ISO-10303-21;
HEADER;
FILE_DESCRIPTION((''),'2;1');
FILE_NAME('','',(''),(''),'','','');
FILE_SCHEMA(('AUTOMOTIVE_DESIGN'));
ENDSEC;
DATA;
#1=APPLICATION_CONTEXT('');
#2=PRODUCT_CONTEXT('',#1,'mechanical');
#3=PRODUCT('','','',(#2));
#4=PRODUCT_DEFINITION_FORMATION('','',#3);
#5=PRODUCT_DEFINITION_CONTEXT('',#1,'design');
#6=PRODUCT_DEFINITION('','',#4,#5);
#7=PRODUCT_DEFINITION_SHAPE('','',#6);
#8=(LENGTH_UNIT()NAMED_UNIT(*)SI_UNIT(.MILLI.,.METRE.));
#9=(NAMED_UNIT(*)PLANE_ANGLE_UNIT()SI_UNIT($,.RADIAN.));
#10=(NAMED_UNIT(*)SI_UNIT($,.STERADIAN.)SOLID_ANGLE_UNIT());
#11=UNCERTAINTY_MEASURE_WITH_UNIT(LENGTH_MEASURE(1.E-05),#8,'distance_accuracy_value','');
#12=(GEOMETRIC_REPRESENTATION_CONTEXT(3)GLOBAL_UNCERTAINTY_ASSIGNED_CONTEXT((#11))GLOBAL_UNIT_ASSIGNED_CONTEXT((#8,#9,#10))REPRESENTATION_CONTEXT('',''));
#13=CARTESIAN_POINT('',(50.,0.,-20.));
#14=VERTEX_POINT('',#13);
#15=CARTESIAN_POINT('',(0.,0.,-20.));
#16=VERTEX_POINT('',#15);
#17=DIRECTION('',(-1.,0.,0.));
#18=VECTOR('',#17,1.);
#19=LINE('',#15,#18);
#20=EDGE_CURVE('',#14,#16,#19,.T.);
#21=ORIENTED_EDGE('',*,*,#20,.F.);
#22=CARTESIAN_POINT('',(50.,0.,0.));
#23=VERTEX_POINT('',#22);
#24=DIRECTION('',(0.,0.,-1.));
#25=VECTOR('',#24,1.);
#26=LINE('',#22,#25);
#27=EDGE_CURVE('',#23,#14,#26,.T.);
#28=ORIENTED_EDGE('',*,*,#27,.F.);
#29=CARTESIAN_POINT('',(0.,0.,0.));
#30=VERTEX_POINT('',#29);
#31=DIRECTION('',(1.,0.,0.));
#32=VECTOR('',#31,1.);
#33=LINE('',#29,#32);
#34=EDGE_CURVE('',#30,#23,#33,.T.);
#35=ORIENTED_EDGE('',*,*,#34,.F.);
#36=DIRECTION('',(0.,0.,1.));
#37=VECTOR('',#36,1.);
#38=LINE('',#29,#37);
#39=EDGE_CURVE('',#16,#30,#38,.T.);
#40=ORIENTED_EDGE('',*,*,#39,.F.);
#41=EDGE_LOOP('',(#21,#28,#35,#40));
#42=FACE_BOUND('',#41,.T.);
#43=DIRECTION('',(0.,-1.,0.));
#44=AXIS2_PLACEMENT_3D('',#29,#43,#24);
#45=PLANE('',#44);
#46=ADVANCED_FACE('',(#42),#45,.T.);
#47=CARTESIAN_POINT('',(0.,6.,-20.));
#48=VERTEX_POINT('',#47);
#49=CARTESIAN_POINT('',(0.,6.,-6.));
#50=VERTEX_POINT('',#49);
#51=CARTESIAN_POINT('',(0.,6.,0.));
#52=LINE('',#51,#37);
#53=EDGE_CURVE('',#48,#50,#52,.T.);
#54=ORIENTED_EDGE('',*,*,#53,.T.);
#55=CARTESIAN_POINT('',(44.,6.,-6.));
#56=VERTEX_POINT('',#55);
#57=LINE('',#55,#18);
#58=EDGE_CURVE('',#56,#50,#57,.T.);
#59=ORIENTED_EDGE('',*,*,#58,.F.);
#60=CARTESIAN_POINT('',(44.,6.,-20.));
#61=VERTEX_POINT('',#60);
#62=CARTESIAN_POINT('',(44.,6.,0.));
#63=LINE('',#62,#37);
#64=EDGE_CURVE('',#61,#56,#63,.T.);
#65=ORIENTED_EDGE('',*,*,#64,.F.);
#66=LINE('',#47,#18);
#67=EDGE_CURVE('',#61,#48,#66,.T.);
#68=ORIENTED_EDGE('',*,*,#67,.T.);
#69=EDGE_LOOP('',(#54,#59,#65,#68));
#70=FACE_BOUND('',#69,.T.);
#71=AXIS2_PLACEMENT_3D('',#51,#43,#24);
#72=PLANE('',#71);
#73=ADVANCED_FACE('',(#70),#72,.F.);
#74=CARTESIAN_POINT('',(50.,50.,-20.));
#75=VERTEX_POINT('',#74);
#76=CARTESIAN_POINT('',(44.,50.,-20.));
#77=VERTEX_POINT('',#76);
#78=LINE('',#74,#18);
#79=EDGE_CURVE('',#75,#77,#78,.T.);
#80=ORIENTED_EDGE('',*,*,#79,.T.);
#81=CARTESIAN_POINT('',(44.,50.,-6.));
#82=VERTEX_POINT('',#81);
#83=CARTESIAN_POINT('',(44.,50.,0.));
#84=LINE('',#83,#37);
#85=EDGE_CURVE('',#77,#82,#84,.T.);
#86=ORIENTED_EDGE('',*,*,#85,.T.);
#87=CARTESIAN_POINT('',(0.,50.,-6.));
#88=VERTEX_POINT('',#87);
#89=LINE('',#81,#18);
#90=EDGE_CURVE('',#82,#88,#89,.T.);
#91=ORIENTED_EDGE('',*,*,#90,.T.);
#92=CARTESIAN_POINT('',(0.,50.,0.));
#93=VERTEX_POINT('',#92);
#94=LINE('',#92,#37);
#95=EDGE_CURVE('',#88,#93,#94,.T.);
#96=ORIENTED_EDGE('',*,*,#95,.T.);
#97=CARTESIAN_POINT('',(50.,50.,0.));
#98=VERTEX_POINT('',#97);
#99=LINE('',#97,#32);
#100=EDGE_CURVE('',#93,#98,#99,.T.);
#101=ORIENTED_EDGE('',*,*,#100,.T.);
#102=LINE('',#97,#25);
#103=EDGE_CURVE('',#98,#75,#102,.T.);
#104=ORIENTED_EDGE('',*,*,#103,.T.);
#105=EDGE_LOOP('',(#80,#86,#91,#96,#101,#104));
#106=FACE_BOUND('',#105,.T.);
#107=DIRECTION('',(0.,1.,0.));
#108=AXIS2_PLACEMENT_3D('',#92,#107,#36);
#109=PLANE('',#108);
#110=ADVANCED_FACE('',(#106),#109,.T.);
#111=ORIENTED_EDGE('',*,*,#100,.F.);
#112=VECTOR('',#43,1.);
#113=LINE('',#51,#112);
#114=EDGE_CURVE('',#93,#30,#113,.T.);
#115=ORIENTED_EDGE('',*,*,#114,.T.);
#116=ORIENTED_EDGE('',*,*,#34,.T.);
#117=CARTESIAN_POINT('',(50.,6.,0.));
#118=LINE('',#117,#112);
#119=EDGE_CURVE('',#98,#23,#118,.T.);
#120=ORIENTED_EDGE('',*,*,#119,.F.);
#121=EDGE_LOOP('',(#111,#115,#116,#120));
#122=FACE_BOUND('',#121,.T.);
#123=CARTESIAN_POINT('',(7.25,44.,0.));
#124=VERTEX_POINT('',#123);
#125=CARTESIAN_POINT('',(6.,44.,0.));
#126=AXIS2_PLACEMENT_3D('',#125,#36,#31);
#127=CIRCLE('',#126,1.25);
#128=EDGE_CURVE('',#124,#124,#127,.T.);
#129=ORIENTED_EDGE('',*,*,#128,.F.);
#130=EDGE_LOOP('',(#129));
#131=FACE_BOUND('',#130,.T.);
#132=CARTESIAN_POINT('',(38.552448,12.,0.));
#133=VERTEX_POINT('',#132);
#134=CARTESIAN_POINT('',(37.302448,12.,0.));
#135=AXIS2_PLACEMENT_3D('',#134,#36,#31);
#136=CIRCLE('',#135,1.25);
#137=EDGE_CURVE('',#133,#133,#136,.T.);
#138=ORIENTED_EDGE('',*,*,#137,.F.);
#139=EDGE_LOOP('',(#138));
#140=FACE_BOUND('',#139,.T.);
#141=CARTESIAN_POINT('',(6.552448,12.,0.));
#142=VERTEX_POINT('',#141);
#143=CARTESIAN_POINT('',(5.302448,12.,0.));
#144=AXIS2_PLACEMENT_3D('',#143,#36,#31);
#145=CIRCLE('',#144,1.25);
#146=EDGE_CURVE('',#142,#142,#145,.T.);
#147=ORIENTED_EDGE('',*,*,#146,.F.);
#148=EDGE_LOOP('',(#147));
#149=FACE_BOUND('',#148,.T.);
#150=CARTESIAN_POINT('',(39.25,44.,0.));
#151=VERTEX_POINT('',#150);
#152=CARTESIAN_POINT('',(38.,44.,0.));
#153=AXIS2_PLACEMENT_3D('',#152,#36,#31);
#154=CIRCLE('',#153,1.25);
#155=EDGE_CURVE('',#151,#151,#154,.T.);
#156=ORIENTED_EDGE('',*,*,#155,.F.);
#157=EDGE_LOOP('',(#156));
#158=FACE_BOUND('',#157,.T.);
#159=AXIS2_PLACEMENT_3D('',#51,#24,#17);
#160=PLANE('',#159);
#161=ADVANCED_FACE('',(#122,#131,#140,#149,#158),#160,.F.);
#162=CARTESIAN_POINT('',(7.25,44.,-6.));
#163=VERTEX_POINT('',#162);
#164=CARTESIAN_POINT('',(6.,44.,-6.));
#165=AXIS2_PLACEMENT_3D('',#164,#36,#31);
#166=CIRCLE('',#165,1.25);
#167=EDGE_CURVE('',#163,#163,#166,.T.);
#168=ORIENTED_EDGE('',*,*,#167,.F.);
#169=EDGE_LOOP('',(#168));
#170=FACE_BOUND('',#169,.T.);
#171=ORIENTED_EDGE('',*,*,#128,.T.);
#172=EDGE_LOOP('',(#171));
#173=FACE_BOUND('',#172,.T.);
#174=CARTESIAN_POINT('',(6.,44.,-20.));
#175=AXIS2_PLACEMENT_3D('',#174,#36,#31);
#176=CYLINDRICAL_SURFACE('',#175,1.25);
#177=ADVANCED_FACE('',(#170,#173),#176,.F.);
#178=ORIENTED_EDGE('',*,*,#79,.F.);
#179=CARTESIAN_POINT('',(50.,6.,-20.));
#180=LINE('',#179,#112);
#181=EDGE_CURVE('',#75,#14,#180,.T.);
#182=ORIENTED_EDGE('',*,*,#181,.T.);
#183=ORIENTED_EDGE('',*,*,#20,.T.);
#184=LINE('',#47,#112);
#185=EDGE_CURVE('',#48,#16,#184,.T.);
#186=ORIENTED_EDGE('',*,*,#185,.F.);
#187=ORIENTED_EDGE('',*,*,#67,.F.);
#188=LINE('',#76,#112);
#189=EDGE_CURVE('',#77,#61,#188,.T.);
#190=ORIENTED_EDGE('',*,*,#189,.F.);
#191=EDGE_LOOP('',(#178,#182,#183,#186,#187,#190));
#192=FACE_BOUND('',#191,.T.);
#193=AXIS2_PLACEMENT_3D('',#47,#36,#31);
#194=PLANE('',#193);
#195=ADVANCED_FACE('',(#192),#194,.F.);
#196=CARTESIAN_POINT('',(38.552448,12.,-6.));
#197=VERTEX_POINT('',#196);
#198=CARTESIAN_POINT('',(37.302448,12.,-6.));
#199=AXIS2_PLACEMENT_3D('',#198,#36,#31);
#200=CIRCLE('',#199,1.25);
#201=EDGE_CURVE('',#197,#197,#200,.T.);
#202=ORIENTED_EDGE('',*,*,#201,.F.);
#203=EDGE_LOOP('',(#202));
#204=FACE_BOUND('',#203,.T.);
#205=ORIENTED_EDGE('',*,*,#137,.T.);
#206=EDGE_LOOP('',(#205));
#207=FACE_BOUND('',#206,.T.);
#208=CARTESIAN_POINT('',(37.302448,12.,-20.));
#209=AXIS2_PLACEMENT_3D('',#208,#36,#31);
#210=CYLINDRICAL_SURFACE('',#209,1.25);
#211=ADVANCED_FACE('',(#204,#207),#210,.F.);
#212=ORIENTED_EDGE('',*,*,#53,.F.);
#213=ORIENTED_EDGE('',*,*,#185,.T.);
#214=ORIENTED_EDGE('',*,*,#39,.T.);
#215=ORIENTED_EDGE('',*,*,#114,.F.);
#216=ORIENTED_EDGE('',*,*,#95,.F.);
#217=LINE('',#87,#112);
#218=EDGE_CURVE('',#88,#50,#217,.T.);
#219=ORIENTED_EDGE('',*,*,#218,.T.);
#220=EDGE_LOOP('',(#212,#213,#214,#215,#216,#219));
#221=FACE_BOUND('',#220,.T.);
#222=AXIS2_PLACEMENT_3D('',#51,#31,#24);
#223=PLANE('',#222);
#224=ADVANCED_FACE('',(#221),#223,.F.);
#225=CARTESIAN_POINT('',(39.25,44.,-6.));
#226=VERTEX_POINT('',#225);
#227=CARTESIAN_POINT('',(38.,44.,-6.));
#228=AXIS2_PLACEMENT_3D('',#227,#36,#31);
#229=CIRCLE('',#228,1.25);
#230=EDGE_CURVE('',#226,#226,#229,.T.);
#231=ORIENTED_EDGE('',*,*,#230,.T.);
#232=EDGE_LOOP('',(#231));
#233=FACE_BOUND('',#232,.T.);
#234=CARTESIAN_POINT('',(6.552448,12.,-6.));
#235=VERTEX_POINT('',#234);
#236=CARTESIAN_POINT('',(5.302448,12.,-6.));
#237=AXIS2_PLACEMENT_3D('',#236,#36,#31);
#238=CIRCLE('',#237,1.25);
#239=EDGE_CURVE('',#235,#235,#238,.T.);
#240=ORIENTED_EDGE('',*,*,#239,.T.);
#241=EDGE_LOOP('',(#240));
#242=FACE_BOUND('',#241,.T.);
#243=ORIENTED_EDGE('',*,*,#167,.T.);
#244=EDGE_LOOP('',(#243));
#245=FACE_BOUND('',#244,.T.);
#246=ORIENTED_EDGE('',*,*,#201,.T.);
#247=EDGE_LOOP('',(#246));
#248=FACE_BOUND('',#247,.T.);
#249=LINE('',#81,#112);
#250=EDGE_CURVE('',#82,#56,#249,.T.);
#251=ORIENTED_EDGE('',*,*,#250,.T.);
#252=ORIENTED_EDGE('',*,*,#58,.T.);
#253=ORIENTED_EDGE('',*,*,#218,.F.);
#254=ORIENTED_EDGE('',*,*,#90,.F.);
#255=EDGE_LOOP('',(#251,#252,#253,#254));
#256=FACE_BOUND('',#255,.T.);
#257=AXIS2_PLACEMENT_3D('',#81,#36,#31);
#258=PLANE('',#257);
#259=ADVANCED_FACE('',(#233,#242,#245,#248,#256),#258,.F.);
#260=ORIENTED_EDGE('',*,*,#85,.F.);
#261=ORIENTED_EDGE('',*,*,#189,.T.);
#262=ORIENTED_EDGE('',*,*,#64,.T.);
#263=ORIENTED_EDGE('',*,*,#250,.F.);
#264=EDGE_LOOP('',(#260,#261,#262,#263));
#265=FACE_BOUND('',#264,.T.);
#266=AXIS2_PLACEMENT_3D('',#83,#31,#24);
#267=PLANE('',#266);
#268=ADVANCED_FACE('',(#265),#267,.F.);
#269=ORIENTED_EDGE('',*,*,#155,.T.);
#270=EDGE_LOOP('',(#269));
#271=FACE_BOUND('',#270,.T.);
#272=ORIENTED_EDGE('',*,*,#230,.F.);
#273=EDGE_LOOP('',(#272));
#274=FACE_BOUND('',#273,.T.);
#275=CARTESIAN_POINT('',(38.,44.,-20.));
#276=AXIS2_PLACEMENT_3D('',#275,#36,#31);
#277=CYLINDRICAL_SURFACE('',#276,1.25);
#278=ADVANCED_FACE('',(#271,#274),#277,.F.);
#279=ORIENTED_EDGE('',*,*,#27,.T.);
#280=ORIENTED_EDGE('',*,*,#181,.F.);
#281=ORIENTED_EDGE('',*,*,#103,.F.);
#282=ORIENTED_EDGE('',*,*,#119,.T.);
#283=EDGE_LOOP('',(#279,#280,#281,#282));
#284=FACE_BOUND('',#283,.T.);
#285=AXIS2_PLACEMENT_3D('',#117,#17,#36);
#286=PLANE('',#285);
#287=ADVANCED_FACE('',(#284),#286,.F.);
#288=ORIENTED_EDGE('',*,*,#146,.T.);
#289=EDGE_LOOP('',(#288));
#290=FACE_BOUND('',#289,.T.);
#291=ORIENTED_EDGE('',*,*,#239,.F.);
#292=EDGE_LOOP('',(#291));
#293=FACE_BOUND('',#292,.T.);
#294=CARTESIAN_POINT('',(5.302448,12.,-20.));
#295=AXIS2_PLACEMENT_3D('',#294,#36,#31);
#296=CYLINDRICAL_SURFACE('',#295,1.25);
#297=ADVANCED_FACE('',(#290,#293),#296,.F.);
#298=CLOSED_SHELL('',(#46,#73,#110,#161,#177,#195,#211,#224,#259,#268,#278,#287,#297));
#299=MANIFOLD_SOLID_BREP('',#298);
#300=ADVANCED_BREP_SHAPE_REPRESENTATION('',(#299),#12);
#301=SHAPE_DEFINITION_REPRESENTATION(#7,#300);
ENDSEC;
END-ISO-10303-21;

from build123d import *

# Parameters (mm, degrees)
SKETCH1_W           = 50
SKETCH1_H           = 20
BOSS_EXTRUDE1_DEPTH = 6
SKETCH2_W           = 6
SKETCH2_H           = 20
BOSS_EXTRUDE2_DEPTH = 44
SKETCH3_W           = 44
SKETCH3_H           = 6
BOSS_EXTRUDE3_DEPTH = 44
SKETCH5_R           = 1.25
CUT_EXTRUDE1_DEPTH  = 74.484692283


with BuildPart() as part:
    # Sketch1 → Boss-Extrude1 (new body)
    with BuildSketch(Plane(origin=(0, 0, 0), x_dir=(1, 0, 0), z_dir=(0, 1, 0))):
        with Locations((25, 10)):
            Rectangle(SKETCH1_W, SKETCH1_H)
    extrude(amount=BOSS_EXTRUDE1_DEPTH)

    # Sketch2 → Boss-Extrude2 (add)
    with BuildSketch(Plane(origin=(0, 6, 0), x_dir=(1, 0, 0), z_dir=(0, 1, 0))):
        with Locations((47, 10)):
            Rectangle(SKETCH2_W, SKETCH2_H)
    extrude(amount=BOSS_EXTRUDE2_DEPTH)

    # Sketch3 → Boss-Extrude3 (add)
    with BuildSketch(Plane(origin=(0, 6, 0), x_dir=(1, 0, 0), z_dir=(0, 1, 0))):
        with Locations((22, 3)):
            Rectangle(SKETCH3_W, SKETCH3_H)
    extrude(amount=BOSS_EXTRUDE3_DEPTH)

    # Sketch5 → Cut-Extrude1 (cut, through all)
    with BuildSketch(Plane.XY):
        with Locations((6, 44)):
            Circle(SKETCH5_R)
        with Locations((38, 44)):
            Circle(SKETCH5_R)
        with Locations((5.302448234, 12)):
            Circle(SKETCH5_R)
        with Locations((37.302448234, 12)):
            Circle(SKETCH5_R)
    extrude(amount=-CUT_EXTRUDE1_DEPTH, mode=Mode.SUBTRACT)


solid = part.part
